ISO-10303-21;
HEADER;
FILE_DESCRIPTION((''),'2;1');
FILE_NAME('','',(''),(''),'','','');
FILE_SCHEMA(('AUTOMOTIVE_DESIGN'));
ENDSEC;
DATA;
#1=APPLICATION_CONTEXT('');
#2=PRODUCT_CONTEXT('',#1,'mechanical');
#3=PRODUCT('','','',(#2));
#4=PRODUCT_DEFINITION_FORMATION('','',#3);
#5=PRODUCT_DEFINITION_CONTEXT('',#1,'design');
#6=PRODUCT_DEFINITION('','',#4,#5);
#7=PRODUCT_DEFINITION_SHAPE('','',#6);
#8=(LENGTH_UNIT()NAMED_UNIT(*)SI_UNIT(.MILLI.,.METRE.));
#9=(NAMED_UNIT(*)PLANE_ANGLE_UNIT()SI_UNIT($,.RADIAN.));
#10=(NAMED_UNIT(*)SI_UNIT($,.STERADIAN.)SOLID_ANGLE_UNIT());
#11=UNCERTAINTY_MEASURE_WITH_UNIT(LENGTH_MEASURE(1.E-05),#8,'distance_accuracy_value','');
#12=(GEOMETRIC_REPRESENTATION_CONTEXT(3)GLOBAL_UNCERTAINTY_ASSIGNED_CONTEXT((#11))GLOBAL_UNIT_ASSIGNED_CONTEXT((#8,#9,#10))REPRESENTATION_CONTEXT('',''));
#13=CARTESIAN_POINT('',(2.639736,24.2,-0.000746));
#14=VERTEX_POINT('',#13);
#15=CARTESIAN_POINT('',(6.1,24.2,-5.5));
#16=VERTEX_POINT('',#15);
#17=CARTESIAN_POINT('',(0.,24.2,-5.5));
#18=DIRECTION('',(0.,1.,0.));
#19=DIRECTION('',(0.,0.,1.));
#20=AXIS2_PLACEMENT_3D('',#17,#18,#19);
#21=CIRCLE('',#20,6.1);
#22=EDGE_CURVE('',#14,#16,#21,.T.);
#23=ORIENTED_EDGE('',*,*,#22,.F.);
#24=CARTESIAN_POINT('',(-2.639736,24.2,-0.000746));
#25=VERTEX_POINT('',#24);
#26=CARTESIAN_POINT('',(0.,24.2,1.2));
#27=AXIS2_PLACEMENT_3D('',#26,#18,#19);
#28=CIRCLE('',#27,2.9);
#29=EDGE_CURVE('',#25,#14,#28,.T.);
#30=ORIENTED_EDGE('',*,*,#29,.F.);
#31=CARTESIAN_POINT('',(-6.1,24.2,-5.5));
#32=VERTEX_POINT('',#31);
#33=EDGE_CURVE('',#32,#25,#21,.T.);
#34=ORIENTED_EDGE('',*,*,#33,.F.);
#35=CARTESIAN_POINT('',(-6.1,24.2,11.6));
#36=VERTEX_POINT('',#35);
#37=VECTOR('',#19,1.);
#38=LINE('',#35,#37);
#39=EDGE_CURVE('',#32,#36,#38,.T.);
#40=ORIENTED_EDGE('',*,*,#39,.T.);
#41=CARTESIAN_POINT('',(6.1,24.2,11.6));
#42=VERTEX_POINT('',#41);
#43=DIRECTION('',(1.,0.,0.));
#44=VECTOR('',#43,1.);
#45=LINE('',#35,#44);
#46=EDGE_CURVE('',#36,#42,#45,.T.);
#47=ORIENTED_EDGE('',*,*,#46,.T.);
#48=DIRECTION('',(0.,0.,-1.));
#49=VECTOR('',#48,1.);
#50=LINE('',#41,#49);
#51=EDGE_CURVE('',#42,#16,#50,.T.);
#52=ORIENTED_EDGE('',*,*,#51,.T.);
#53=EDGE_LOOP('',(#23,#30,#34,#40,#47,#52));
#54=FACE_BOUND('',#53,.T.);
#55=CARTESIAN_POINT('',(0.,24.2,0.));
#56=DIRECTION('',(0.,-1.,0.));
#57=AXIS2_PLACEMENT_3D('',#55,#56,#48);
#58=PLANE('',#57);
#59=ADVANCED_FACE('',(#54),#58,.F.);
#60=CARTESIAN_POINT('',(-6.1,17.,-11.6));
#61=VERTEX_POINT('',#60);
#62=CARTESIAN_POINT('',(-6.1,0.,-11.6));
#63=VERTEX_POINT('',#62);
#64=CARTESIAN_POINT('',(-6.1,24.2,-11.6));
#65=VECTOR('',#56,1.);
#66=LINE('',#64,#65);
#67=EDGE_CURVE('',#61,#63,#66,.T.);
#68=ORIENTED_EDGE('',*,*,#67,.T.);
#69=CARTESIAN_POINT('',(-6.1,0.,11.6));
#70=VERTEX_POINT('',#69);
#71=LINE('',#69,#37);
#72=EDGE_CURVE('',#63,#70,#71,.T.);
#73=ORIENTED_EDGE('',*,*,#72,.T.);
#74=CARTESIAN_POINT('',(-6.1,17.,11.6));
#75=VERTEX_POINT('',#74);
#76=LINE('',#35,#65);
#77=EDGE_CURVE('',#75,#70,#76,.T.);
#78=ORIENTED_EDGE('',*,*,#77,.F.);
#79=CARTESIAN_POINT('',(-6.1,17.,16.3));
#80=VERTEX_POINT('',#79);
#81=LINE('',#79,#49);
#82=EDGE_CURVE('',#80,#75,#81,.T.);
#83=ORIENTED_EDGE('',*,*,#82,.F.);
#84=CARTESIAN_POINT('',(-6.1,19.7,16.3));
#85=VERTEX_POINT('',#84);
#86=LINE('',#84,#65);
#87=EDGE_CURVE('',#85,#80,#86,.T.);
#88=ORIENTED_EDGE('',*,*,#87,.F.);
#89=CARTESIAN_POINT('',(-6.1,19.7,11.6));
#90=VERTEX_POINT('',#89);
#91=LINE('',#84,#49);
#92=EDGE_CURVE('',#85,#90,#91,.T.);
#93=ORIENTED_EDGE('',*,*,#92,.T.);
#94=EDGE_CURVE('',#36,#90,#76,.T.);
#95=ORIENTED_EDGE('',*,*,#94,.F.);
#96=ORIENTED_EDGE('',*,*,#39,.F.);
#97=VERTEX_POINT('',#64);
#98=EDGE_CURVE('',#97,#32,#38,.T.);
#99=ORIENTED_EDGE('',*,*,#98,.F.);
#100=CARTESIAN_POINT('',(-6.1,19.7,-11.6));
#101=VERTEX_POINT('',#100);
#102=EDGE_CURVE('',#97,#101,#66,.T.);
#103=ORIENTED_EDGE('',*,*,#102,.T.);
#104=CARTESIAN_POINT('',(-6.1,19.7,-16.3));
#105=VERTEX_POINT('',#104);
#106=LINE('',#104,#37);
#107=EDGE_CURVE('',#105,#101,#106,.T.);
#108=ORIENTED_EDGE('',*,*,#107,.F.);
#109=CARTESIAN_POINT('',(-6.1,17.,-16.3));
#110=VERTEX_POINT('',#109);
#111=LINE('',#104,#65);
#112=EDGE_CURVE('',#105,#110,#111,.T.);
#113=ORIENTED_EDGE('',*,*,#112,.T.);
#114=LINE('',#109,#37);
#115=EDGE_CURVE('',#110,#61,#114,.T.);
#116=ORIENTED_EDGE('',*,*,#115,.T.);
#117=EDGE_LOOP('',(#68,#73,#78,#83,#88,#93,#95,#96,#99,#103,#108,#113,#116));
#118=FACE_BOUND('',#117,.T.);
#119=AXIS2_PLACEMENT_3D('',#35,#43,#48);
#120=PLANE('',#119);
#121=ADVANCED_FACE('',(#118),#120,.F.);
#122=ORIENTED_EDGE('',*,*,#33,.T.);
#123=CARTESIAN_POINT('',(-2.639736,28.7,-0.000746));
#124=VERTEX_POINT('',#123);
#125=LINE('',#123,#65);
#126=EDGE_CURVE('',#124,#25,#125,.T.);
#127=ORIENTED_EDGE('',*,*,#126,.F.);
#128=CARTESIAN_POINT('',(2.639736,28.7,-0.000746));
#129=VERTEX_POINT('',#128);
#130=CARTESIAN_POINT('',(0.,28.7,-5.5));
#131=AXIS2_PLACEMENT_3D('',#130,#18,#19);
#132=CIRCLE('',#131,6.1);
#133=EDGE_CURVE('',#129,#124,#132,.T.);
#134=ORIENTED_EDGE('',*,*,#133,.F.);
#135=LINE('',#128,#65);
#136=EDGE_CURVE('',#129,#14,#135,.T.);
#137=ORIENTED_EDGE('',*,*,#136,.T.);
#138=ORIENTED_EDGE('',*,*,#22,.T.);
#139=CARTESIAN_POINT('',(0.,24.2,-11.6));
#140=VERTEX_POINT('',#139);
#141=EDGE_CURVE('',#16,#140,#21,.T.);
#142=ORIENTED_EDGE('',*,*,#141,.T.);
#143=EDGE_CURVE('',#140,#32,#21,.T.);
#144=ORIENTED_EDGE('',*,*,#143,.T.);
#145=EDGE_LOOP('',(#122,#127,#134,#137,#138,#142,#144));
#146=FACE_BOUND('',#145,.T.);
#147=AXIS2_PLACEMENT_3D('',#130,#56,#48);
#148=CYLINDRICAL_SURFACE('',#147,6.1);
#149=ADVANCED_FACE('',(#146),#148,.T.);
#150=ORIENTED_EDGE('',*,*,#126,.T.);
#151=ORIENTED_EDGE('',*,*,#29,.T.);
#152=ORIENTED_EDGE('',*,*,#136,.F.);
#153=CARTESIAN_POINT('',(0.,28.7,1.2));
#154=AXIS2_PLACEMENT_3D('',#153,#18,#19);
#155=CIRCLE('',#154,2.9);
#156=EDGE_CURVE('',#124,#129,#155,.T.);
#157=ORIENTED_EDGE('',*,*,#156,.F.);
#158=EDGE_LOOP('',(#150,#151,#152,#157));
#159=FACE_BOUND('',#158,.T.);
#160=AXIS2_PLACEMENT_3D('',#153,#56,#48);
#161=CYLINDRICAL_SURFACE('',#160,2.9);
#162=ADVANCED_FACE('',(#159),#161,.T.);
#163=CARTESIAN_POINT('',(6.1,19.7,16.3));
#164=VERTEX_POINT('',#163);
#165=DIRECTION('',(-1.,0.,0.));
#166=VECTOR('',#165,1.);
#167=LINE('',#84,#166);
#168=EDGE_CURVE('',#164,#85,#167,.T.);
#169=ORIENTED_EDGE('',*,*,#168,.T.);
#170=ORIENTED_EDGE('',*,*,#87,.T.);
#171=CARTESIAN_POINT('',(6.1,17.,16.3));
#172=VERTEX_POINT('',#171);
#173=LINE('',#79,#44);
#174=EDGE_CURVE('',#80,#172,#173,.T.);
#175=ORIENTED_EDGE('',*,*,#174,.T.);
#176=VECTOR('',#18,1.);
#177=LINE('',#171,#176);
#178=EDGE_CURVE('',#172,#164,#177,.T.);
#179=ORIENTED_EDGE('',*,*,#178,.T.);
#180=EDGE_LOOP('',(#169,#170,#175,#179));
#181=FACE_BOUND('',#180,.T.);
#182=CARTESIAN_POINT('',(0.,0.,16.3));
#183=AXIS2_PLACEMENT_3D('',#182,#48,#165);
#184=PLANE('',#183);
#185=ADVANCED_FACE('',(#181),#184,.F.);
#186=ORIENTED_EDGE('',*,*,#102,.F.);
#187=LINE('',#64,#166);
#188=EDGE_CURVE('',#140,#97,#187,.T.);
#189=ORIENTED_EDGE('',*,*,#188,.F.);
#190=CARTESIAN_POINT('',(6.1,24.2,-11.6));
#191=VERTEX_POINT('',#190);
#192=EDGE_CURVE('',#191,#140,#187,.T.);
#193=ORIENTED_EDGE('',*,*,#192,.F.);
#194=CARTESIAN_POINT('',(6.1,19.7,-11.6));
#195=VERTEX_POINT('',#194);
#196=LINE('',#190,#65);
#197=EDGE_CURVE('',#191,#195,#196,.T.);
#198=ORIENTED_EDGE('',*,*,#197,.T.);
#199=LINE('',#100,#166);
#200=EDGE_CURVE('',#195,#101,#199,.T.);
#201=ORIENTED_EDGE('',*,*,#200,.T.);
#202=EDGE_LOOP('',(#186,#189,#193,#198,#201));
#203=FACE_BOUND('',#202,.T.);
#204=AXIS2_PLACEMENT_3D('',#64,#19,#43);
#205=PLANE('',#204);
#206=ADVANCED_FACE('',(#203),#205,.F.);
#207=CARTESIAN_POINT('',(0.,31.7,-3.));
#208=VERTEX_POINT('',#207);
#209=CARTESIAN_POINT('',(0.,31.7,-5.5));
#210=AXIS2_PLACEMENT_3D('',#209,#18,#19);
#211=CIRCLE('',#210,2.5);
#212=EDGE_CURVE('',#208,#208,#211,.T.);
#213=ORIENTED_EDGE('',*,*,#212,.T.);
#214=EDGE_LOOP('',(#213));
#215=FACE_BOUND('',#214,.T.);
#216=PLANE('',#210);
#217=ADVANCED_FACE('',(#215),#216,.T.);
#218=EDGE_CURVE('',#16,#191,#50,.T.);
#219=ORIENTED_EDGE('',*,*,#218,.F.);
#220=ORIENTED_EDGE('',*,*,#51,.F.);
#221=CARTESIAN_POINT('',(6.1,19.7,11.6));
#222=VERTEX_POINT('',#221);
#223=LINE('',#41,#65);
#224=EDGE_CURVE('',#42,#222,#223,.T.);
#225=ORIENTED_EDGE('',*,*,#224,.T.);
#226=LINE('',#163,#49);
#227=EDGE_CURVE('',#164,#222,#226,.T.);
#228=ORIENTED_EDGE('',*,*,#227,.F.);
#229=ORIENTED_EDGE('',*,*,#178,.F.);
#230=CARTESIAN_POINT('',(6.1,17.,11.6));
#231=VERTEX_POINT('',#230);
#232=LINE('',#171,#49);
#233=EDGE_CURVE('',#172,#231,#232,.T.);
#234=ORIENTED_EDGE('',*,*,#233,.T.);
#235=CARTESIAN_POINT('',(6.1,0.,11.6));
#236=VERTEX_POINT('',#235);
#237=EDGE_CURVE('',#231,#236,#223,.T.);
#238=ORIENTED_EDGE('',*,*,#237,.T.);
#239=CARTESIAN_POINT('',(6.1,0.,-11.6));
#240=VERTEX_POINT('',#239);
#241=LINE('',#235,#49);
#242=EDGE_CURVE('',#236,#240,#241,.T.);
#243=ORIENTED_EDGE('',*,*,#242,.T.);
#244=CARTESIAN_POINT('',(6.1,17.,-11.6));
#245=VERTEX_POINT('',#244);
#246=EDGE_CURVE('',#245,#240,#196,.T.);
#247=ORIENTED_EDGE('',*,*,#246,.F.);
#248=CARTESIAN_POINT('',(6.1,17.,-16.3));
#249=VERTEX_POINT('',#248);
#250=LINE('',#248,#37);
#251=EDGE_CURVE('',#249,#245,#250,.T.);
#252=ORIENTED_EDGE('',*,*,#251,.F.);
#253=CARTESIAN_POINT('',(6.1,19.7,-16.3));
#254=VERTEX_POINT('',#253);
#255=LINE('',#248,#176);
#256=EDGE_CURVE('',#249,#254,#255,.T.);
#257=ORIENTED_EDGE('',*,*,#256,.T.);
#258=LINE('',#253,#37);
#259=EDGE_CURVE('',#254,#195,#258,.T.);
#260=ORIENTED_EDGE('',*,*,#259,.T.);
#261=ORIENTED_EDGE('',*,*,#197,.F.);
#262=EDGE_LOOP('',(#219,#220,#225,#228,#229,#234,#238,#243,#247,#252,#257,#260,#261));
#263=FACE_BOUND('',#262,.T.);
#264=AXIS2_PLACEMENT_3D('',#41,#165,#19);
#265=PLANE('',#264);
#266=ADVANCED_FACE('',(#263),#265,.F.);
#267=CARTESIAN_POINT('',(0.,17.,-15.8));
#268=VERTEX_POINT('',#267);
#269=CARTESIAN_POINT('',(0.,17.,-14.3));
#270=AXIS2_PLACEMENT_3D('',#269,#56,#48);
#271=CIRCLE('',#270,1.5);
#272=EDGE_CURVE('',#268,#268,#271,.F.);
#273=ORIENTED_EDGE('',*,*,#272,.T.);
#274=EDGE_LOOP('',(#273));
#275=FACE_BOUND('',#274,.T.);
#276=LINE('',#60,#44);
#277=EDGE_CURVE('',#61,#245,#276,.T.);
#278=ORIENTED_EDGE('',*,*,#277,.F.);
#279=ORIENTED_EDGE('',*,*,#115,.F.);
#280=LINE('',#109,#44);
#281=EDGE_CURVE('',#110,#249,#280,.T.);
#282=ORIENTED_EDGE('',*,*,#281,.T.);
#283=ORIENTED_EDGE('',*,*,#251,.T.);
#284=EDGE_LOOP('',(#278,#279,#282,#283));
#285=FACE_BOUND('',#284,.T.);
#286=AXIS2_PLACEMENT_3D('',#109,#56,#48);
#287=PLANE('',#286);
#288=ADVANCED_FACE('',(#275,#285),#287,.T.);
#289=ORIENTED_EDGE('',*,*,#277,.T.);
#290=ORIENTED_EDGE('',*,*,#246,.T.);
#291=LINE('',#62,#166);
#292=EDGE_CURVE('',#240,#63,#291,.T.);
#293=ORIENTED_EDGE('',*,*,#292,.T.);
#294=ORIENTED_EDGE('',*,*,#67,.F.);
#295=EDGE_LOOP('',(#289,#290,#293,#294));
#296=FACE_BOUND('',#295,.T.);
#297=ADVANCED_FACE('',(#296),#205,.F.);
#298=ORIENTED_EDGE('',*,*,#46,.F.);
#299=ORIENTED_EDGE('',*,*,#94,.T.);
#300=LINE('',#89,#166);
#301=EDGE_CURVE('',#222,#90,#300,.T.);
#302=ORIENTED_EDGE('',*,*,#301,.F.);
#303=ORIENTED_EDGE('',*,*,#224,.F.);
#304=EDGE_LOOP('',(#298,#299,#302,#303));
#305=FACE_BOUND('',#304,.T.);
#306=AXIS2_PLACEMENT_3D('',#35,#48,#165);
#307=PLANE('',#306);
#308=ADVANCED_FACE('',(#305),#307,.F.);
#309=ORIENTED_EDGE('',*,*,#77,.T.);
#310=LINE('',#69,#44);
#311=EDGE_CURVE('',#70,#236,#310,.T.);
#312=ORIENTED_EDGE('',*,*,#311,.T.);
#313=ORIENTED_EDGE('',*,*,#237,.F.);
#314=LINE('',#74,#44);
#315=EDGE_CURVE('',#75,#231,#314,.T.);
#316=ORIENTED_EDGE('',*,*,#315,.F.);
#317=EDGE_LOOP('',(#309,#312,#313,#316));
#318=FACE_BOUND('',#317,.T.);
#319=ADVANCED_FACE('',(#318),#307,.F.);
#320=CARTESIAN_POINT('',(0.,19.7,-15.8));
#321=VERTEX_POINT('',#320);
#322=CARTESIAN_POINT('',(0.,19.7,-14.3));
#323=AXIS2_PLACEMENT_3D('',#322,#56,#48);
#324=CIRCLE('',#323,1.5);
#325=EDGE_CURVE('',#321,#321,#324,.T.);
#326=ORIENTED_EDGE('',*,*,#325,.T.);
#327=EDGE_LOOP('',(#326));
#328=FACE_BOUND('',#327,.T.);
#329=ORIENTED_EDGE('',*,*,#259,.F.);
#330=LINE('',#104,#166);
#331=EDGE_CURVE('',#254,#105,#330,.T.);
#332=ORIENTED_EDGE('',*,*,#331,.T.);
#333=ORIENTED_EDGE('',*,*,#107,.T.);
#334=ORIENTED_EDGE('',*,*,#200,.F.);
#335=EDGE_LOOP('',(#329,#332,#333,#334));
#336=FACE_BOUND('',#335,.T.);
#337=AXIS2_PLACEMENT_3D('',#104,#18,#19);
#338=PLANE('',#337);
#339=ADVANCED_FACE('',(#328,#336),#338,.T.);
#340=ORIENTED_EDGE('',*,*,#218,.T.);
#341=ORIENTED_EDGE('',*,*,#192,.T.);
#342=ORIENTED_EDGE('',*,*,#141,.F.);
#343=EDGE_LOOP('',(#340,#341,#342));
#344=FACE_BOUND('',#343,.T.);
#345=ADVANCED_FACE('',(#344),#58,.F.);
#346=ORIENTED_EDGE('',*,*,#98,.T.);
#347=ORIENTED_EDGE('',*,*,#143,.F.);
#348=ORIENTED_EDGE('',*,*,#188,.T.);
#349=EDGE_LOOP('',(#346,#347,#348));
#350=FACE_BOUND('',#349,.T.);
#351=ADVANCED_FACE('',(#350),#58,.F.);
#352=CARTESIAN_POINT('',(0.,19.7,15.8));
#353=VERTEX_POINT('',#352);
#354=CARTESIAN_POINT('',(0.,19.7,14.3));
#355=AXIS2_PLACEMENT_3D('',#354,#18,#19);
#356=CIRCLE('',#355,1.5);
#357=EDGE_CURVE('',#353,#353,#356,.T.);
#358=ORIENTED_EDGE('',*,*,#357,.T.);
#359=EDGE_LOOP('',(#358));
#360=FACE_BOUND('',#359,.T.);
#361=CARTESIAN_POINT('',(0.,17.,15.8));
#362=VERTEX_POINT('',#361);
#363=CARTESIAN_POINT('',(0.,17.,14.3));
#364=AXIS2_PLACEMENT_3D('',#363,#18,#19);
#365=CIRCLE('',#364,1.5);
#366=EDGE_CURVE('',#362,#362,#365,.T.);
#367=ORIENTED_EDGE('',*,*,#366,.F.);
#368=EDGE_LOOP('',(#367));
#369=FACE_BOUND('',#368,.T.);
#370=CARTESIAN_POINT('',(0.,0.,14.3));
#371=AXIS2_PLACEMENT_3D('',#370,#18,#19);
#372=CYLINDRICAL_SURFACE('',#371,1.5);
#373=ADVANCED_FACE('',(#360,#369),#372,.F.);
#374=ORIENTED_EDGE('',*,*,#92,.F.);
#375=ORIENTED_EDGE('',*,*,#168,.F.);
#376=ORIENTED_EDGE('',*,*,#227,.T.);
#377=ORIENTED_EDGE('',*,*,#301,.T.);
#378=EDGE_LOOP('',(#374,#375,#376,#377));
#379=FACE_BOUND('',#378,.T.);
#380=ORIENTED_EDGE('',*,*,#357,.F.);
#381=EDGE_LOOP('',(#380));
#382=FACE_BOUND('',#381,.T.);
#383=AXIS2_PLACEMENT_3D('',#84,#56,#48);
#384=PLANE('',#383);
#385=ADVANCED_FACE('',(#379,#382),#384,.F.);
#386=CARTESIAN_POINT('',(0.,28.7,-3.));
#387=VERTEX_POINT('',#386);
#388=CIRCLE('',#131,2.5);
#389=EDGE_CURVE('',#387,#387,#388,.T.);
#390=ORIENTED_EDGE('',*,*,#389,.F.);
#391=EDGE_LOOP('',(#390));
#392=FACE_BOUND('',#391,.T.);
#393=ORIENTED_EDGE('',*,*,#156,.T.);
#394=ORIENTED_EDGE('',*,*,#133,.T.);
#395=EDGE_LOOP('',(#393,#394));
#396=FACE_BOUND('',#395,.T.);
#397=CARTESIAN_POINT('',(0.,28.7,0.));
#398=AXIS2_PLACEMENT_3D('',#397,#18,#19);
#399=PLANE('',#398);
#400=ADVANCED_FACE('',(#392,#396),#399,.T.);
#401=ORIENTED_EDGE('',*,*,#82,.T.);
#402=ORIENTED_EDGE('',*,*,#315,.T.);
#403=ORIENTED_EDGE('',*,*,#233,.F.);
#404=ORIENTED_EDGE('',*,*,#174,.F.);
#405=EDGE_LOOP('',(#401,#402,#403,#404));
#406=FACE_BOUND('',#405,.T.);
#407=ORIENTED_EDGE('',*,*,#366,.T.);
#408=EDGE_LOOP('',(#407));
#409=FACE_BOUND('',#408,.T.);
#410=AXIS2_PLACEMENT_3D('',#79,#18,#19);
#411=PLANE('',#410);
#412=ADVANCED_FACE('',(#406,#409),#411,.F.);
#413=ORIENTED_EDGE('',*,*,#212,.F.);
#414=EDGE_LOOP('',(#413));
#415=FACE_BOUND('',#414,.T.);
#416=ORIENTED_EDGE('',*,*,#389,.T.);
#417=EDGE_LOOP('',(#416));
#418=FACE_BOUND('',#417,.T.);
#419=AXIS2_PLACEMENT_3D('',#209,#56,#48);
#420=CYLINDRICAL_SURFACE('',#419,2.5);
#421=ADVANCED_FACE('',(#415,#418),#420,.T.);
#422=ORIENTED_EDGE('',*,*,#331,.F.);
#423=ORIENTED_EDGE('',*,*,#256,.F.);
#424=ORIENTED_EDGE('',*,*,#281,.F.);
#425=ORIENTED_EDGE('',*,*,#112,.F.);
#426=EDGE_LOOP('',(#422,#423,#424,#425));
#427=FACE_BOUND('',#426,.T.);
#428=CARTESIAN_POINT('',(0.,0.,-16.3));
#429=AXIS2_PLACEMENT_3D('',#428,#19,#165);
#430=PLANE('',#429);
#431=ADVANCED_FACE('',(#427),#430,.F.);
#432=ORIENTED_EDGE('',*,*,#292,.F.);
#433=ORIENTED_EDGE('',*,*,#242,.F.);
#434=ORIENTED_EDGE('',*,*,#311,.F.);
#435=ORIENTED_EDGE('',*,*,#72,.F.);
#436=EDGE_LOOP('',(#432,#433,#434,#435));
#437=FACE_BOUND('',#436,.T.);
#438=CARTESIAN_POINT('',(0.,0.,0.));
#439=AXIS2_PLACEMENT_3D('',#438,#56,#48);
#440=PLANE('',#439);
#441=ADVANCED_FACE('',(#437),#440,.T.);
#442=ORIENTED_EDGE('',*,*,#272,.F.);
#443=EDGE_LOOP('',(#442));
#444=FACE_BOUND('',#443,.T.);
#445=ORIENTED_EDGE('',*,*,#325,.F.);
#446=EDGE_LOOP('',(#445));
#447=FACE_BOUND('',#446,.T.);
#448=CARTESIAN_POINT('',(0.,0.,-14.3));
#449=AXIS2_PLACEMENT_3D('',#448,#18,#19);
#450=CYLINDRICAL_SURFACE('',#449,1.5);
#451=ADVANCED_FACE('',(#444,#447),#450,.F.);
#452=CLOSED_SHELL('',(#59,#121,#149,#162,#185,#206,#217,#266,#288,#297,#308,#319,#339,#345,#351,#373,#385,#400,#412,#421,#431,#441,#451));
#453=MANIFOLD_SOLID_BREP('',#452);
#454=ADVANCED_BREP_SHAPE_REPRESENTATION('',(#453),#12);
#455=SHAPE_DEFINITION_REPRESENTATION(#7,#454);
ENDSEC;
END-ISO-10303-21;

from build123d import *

# Parameters (mm, degrees)
SKETCH1_W           = 12.2
SKETCH1_H           = 23.2
BOSS_EXTRUDE3_DEPTH = 24.2
SKETCH5_W           = 12.2
SKETCH5_H           = 2.7
BOSS_EXTRUDE4_DEPTH = 4.7
CUT_EXTRUDE4_START  = -20.7
SKETCH6_R           = 1.5
CUT_EXTRUDE4_DEPTH  = 26.2
SKETCH7_R           = 2.9
SKETCH7_R_2         = 6.1
BOSS_EXTRUDE5_DEPTH = 4.5
SKETCH8_R           = 2.5
BOSS_EXTRUDE6_DEPTH = 3


with BuildPart() as part:
    # Sketch1 → Boss-Extrude3 (new body)
    with BuildSketch(Plane(origin=(0, 0, 0), x_dir=(1, 0, 0), z_dir=(0, 1, 0))):
        Rectangle(SKETCH1_W, SKETCH1_H)
    extrude(amount=BOSS_EXTRUDE3_DEPTH)

    # Sketch5 → Boss-Extrude4 (add)
    with BuildSketch(Plane.XY.offset(11.6)):
        with Locations((0, 18.35)):
            Rectangle(SKETCH5_W, SKETCH5_H)
    boss_extrude4 = extrude(amount=BOSS_EXTRUDE4_DEPTH)

    # Sketch6 → Cut-Extrude4 (cut)
    with BuildSketch(Plane(origin=(0, 19.7, 0), x_dir=(1, 0, 0), z_dir=(0, 1, 0)).offset(CUT_EXTRUDE4_START)):
        with Locations((0, -14.3)):
            Circle(SKETCH6_R)
    cut_extrude4 = extrude(amount=CUT_EXTRUDE4_DEPTH, mode=Mode.SUBTRACT)

    # Mirror3: Boss-Extrude4, Cut-Extrude4 across plane
    add(boss_extrude4.mirror(Plane.XY))
    add(cut_extrude4.mirror(Plane.XY), mode=Mode.SUBTRACT)

    # Sketch7 → Boss-Extrude5 (add)
    with BuildSketch(Plane(origin=(0, 24.2, 0), x_dir=(1, 0, 0), z_dir=(0, 1, 0))):
        with Locations((0, -1.2)):
            Circle(SKETCH7_R)
        with Locations((0, 5.5)):
            Circle(SKETCH7_R_2)
    extrude(amount=BOSS_EXTRUDE5_DEPTH)

    # Sketch8 → Boss-Extrude6 (add)
    with BuildSketch(Plane(origin=(0, 28.7, 0), x_dir=(1, 0, 0), z_dir=(0, 1, 0))):
        with Locations((0, 5.5)):
            Circle(SKETCH8_R)
    extrude(amount=BOSS_EXTRUDE6_DEPTH)


solid = part.part
